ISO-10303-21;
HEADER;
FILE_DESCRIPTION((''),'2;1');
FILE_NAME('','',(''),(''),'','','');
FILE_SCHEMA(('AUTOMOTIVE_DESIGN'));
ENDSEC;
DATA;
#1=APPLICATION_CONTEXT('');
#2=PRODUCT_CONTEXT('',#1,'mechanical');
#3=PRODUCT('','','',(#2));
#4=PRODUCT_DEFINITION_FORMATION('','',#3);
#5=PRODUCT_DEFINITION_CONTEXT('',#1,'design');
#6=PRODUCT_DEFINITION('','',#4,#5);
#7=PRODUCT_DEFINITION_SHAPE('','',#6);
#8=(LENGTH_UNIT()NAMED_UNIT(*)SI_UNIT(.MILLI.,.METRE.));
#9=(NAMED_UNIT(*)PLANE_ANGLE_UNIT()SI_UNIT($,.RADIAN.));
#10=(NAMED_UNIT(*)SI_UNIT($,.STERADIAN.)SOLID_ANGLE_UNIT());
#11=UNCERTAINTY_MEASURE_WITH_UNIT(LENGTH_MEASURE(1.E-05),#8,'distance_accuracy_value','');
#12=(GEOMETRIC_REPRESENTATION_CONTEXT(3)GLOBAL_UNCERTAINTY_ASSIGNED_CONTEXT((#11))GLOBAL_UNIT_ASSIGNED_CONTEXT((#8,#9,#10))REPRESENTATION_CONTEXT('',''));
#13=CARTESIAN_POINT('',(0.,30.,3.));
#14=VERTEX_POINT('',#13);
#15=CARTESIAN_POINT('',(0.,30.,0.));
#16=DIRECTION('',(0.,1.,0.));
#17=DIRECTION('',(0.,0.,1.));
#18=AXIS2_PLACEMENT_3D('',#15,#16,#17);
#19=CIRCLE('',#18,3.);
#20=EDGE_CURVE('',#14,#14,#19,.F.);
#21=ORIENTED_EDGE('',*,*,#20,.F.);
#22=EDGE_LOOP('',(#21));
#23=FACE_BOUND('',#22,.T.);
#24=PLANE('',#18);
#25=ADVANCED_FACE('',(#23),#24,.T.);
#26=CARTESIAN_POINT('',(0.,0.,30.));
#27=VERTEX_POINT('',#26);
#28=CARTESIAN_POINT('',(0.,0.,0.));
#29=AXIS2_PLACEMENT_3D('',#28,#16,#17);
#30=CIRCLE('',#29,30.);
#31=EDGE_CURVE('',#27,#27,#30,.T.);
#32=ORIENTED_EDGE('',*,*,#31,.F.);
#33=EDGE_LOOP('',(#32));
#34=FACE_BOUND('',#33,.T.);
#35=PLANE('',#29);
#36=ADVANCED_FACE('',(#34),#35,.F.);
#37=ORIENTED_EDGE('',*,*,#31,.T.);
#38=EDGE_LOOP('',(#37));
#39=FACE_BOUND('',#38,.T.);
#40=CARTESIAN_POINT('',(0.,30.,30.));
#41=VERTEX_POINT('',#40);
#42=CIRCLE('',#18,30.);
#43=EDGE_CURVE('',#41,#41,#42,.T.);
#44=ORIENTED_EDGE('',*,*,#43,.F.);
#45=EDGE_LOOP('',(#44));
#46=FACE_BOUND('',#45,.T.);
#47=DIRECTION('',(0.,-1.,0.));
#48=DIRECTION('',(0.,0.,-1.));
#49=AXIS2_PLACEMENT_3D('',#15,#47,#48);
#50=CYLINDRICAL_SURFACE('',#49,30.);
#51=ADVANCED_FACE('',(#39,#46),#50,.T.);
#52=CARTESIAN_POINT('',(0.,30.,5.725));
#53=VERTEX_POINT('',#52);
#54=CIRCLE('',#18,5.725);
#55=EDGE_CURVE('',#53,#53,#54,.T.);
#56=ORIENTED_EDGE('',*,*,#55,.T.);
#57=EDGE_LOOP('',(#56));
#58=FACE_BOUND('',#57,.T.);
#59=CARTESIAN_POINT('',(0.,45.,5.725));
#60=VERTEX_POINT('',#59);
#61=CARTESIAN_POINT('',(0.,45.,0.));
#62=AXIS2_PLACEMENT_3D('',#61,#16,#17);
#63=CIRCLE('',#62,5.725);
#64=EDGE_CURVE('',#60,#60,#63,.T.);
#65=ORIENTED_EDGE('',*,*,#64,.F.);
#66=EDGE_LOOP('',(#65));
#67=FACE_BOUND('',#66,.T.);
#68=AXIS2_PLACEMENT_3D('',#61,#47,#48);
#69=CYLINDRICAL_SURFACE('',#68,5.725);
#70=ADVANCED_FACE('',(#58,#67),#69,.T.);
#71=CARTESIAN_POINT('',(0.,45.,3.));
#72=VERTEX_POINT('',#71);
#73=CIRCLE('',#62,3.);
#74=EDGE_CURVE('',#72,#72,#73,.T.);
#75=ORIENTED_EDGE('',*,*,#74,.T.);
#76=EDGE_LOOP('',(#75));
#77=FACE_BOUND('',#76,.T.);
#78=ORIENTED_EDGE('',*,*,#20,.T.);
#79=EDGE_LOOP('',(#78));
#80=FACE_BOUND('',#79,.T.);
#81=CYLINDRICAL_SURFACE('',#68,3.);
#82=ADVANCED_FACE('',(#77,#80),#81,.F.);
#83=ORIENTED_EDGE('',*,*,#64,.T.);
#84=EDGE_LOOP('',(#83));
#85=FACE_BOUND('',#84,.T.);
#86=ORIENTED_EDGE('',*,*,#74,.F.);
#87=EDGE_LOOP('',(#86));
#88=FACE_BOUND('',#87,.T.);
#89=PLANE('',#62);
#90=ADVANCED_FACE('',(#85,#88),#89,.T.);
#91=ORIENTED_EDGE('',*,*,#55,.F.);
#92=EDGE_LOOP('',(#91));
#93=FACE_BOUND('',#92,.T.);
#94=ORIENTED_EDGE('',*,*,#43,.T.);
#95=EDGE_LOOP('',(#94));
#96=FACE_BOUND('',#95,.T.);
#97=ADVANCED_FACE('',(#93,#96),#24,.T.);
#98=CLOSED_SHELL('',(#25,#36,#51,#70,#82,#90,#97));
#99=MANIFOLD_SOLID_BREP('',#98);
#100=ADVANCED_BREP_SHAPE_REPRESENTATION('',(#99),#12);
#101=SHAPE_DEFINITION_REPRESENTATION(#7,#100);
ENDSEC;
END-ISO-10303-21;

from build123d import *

# Parameters (mm, degrees)
SKETCH_1_R      = 30
EXTRUDE_1_DEPTH = 30
SKETCH_2_R      = 5.725
SKETCH_2_R_2    = 3
EXTRUDE_2_DEPTH = 15


with BuildPart() as part:
    # 草图1 → 凸台-拉伸1 (new body)
    with BuildSketch(Plane(origin=(0, 0, 0), x_dir=(1, 0, 0), z_dir=(0, 1, 0))):
        Circle(SKETCH_1_R)
    extrude(amount=EXTRUDE_1_DEPTH)

    # 草图2 → 凸台-拉伸2 (add)
    with BuildSketch(Plane(origin=(0, 30, 0), x_dir=(1, 0, 0), z_dir=(0, 1, 0))):
        Circle(SKETCH_2_R)
        Circle(SKETCH_2_R_2, mode=Mode.SUBTRACT)
    extrude(amount=EXTRUDE_2_DEPTH)


solid = part.part
